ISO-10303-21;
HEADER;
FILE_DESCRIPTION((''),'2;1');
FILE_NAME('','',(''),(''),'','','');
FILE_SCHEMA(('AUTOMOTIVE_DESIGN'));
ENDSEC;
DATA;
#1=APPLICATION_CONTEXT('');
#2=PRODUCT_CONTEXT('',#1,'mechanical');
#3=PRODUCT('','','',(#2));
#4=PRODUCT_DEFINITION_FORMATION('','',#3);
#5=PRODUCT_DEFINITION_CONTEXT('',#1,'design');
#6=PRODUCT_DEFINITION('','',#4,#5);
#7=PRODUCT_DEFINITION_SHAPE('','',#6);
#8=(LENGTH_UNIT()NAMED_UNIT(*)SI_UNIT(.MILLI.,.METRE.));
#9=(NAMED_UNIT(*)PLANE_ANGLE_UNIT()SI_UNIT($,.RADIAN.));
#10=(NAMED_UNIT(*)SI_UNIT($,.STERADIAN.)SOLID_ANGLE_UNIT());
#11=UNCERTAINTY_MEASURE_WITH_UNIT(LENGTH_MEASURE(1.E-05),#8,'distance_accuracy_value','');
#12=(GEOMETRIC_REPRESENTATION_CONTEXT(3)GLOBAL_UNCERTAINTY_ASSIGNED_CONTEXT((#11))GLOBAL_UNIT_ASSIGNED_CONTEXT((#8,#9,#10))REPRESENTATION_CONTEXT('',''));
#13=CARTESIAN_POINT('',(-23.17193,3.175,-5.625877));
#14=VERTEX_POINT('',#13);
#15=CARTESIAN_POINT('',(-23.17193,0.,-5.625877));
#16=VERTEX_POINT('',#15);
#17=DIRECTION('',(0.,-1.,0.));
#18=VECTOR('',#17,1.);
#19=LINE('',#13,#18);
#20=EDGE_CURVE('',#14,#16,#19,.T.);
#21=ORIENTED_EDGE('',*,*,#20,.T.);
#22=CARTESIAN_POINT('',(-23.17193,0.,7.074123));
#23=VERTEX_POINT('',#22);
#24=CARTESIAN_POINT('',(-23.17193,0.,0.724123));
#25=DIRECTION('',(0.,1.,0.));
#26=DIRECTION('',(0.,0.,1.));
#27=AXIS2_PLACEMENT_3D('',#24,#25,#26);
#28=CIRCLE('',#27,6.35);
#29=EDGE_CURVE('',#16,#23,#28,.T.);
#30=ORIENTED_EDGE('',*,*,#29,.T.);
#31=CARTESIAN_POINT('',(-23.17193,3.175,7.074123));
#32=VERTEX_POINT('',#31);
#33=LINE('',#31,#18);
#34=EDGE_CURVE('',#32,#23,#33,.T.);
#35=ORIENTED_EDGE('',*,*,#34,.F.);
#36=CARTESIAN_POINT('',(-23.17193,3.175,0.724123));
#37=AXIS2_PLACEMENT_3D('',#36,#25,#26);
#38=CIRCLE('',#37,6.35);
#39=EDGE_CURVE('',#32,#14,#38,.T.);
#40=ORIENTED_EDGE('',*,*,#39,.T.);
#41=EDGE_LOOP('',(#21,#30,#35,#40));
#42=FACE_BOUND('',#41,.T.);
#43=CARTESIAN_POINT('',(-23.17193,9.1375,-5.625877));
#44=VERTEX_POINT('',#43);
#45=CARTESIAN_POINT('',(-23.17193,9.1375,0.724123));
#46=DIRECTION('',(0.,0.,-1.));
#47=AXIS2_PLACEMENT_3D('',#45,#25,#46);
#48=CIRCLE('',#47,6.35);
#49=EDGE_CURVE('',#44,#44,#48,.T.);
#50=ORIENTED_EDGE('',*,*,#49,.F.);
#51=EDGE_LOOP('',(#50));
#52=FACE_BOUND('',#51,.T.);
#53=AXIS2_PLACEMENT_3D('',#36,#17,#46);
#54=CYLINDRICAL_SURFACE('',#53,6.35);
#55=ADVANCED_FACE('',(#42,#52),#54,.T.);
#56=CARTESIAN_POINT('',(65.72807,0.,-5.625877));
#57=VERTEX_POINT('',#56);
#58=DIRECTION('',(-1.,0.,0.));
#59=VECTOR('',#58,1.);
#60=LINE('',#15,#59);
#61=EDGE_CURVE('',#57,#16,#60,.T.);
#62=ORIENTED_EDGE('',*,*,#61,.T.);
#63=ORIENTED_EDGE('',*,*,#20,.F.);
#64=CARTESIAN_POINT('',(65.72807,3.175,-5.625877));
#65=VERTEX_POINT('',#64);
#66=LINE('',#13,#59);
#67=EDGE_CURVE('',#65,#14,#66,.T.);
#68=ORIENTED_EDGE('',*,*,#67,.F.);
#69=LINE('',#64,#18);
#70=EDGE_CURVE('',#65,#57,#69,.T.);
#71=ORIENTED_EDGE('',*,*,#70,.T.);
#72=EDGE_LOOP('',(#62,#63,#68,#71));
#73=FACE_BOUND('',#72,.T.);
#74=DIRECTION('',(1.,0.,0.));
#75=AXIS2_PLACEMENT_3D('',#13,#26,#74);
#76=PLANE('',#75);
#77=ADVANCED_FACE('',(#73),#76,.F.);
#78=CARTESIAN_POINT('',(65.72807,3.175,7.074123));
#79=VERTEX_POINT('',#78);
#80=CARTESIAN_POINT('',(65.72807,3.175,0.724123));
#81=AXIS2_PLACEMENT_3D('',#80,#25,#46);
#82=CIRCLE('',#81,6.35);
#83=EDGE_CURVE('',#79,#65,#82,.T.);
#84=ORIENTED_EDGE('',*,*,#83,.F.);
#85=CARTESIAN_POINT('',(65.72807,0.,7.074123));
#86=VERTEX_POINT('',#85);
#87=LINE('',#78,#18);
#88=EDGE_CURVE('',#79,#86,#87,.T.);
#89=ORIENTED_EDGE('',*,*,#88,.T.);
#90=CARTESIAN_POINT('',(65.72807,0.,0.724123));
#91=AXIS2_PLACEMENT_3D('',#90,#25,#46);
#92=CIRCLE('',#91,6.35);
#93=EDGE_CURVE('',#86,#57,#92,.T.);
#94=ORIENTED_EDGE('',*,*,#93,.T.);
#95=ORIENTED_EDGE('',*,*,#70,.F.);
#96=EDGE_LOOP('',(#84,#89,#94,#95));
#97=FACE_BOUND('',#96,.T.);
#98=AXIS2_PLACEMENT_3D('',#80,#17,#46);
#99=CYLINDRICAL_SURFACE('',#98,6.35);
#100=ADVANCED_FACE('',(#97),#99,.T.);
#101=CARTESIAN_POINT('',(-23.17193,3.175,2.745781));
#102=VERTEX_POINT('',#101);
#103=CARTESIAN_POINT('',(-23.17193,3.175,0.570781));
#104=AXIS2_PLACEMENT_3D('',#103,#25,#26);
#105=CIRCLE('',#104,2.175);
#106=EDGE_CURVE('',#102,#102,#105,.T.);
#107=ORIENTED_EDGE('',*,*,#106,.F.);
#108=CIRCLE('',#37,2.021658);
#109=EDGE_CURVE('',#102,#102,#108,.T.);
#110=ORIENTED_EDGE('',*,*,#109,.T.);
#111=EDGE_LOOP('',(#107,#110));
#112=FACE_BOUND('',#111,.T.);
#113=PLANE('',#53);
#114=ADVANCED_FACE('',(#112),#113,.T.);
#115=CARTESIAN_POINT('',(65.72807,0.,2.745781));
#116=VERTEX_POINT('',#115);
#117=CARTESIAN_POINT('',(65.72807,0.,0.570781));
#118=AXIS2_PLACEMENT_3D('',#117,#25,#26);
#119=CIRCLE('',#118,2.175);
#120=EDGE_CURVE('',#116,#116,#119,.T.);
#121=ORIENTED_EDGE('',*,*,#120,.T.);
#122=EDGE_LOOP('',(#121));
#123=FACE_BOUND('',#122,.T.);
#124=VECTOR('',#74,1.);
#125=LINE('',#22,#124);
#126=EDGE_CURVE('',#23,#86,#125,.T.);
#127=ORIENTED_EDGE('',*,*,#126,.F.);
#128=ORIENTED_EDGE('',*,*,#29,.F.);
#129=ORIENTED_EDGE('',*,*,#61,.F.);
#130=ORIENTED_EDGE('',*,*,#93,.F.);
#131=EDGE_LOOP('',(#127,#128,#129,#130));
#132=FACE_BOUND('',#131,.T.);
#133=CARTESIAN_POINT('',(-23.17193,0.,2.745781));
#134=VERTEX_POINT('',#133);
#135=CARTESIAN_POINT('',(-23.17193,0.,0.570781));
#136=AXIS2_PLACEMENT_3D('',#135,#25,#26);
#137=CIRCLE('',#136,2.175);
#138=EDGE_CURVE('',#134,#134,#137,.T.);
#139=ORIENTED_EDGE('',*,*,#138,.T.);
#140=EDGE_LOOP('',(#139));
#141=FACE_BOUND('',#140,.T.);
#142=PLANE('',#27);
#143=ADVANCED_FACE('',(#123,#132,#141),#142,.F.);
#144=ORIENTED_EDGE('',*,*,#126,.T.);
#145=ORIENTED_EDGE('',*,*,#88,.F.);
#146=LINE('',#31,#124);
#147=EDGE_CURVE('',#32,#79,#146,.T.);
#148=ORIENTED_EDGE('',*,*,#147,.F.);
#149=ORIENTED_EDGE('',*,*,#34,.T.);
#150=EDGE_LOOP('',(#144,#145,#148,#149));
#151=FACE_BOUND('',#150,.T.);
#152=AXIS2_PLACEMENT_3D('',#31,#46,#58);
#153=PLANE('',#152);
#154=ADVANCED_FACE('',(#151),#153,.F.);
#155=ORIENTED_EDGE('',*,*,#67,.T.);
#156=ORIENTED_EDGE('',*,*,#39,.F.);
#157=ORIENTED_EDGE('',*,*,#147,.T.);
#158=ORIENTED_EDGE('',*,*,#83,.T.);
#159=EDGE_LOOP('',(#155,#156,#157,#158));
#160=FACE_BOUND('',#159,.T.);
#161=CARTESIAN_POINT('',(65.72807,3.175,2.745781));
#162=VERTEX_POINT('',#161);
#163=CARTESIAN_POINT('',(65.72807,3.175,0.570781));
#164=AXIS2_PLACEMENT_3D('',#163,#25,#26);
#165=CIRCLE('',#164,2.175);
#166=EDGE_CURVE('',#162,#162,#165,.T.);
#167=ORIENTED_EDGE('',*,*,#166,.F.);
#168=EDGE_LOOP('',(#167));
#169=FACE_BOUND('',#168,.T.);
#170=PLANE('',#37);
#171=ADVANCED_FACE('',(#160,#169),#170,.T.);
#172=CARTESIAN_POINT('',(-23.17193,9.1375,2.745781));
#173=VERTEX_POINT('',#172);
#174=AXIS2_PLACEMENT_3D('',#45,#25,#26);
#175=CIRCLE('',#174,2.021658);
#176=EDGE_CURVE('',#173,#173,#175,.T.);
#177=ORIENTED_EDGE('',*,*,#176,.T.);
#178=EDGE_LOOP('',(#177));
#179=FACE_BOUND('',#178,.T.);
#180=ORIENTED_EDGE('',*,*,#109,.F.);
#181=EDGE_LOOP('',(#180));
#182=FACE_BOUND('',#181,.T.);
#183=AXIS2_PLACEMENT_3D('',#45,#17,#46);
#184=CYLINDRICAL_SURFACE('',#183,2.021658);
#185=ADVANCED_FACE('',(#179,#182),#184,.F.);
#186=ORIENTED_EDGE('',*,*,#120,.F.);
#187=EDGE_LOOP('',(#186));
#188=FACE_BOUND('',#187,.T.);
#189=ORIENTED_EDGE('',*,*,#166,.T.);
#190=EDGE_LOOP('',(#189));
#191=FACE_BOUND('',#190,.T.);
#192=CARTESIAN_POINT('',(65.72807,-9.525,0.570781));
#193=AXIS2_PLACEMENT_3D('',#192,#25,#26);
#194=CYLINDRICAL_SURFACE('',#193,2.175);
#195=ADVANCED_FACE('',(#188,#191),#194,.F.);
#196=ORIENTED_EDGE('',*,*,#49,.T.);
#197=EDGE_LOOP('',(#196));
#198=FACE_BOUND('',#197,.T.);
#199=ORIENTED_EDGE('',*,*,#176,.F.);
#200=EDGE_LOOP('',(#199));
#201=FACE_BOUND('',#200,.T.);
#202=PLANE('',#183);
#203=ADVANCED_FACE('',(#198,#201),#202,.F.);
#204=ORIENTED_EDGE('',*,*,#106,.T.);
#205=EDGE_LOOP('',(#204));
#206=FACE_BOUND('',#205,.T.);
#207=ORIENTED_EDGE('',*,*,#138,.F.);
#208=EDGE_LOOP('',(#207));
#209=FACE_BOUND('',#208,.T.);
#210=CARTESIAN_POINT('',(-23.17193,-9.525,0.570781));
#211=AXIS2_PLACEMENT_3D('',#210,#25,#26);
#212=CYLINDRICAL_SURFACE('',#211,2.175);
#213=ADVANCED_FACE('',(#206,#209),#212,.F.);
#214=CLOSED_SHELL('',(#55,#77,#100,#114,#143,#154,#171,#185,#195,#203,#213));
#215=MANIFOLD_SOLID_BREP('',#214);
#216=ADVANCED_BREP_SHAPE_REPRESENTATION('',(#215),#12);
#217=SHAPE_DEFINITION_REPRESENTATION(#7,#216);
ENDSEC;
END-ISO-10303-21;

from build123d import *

# Parameters (mm, degrees)
BOSS_EXTRUDE1_DEPTH = 3.175
SKETCH2_R           = 2.175
CUT_EXTRUDE1_DEPTH  = 12.7
SKETCH3_R           = 2.021658142
BOSS_EXTRUDE2_DEPTH = 5.9625


with BuildPart() as part:
    # Sketch1 → Boss-Extrude1 (new body)
    with BuildSketch(Plane(origin=(0, 0, 0), x_dir=(1, 0, 0), z_dir=(0, 1, 0))):
        with BuildLine():
            Line((-23.171929825, 5.625877193), (65.728070175, 5.625877193))
            ThreePointArc((65.728070175, 5.625877193), (72.078070175, -0.724122807), (65.728070175, -7.074122807))
            Line((65.728070175, -7.074122807), (-23.171929825, -7.074122807))
            ThreePointArc((-23.171929825, -7.074122807), (-29.521929825, -0.724122807), (-23.171929825, 5.625877193))
        make_face()
    extrude(amount=BOSS_EXTRUDE1_DEPTH)

    # Sketch2 → Cut-Extrude1 (cut)
    with BuildSketch(Plane(origin=(0, 3.175, 0), x_dir=(1, 0, 0), z_dir=(0, 1, 0))):
        with Locations(Location((-23.171929825, -0.570780949, 0), (0, 0, 270))):
            Circle(SKETCH2_R)
        with Locations(Location((65.728070175, -0.570780949, 0), (0, 0, 270))):
            Circle(SKETCH2_R)
    extrude(amount=-CUT_EXTRUDE1_DEPTH, mode=Mode.SUBTRACT)

    # Sketch3 → Boss-Extrude2 (add)
    with BuildSketch(Plane(origin=(0, 3.175, 0), x_dir=(1, 0, 0), z_dir=(0, 1, 0))):
        with BuildLine():
            ThreePointArc((-23.171929825, 5.625877193), (-29.521929825, -0.724122807), (-23.171929825, -7.074122807))
            ThreePointArc((-23.171929825, -7.074122807), (-16.821929825, -0.724122807), (-23.171929825, 5.625877193))
        make_face()
        with Locations(Location((-23.171929825, -0.724122807, 0), (0, 0, 270))):
            Circle(SKETCH3_R, mode=Mode.SUBTRACT)
    extrude(amount=BOSS_EXTRUDE2_DEPTH)


solid = part.part
